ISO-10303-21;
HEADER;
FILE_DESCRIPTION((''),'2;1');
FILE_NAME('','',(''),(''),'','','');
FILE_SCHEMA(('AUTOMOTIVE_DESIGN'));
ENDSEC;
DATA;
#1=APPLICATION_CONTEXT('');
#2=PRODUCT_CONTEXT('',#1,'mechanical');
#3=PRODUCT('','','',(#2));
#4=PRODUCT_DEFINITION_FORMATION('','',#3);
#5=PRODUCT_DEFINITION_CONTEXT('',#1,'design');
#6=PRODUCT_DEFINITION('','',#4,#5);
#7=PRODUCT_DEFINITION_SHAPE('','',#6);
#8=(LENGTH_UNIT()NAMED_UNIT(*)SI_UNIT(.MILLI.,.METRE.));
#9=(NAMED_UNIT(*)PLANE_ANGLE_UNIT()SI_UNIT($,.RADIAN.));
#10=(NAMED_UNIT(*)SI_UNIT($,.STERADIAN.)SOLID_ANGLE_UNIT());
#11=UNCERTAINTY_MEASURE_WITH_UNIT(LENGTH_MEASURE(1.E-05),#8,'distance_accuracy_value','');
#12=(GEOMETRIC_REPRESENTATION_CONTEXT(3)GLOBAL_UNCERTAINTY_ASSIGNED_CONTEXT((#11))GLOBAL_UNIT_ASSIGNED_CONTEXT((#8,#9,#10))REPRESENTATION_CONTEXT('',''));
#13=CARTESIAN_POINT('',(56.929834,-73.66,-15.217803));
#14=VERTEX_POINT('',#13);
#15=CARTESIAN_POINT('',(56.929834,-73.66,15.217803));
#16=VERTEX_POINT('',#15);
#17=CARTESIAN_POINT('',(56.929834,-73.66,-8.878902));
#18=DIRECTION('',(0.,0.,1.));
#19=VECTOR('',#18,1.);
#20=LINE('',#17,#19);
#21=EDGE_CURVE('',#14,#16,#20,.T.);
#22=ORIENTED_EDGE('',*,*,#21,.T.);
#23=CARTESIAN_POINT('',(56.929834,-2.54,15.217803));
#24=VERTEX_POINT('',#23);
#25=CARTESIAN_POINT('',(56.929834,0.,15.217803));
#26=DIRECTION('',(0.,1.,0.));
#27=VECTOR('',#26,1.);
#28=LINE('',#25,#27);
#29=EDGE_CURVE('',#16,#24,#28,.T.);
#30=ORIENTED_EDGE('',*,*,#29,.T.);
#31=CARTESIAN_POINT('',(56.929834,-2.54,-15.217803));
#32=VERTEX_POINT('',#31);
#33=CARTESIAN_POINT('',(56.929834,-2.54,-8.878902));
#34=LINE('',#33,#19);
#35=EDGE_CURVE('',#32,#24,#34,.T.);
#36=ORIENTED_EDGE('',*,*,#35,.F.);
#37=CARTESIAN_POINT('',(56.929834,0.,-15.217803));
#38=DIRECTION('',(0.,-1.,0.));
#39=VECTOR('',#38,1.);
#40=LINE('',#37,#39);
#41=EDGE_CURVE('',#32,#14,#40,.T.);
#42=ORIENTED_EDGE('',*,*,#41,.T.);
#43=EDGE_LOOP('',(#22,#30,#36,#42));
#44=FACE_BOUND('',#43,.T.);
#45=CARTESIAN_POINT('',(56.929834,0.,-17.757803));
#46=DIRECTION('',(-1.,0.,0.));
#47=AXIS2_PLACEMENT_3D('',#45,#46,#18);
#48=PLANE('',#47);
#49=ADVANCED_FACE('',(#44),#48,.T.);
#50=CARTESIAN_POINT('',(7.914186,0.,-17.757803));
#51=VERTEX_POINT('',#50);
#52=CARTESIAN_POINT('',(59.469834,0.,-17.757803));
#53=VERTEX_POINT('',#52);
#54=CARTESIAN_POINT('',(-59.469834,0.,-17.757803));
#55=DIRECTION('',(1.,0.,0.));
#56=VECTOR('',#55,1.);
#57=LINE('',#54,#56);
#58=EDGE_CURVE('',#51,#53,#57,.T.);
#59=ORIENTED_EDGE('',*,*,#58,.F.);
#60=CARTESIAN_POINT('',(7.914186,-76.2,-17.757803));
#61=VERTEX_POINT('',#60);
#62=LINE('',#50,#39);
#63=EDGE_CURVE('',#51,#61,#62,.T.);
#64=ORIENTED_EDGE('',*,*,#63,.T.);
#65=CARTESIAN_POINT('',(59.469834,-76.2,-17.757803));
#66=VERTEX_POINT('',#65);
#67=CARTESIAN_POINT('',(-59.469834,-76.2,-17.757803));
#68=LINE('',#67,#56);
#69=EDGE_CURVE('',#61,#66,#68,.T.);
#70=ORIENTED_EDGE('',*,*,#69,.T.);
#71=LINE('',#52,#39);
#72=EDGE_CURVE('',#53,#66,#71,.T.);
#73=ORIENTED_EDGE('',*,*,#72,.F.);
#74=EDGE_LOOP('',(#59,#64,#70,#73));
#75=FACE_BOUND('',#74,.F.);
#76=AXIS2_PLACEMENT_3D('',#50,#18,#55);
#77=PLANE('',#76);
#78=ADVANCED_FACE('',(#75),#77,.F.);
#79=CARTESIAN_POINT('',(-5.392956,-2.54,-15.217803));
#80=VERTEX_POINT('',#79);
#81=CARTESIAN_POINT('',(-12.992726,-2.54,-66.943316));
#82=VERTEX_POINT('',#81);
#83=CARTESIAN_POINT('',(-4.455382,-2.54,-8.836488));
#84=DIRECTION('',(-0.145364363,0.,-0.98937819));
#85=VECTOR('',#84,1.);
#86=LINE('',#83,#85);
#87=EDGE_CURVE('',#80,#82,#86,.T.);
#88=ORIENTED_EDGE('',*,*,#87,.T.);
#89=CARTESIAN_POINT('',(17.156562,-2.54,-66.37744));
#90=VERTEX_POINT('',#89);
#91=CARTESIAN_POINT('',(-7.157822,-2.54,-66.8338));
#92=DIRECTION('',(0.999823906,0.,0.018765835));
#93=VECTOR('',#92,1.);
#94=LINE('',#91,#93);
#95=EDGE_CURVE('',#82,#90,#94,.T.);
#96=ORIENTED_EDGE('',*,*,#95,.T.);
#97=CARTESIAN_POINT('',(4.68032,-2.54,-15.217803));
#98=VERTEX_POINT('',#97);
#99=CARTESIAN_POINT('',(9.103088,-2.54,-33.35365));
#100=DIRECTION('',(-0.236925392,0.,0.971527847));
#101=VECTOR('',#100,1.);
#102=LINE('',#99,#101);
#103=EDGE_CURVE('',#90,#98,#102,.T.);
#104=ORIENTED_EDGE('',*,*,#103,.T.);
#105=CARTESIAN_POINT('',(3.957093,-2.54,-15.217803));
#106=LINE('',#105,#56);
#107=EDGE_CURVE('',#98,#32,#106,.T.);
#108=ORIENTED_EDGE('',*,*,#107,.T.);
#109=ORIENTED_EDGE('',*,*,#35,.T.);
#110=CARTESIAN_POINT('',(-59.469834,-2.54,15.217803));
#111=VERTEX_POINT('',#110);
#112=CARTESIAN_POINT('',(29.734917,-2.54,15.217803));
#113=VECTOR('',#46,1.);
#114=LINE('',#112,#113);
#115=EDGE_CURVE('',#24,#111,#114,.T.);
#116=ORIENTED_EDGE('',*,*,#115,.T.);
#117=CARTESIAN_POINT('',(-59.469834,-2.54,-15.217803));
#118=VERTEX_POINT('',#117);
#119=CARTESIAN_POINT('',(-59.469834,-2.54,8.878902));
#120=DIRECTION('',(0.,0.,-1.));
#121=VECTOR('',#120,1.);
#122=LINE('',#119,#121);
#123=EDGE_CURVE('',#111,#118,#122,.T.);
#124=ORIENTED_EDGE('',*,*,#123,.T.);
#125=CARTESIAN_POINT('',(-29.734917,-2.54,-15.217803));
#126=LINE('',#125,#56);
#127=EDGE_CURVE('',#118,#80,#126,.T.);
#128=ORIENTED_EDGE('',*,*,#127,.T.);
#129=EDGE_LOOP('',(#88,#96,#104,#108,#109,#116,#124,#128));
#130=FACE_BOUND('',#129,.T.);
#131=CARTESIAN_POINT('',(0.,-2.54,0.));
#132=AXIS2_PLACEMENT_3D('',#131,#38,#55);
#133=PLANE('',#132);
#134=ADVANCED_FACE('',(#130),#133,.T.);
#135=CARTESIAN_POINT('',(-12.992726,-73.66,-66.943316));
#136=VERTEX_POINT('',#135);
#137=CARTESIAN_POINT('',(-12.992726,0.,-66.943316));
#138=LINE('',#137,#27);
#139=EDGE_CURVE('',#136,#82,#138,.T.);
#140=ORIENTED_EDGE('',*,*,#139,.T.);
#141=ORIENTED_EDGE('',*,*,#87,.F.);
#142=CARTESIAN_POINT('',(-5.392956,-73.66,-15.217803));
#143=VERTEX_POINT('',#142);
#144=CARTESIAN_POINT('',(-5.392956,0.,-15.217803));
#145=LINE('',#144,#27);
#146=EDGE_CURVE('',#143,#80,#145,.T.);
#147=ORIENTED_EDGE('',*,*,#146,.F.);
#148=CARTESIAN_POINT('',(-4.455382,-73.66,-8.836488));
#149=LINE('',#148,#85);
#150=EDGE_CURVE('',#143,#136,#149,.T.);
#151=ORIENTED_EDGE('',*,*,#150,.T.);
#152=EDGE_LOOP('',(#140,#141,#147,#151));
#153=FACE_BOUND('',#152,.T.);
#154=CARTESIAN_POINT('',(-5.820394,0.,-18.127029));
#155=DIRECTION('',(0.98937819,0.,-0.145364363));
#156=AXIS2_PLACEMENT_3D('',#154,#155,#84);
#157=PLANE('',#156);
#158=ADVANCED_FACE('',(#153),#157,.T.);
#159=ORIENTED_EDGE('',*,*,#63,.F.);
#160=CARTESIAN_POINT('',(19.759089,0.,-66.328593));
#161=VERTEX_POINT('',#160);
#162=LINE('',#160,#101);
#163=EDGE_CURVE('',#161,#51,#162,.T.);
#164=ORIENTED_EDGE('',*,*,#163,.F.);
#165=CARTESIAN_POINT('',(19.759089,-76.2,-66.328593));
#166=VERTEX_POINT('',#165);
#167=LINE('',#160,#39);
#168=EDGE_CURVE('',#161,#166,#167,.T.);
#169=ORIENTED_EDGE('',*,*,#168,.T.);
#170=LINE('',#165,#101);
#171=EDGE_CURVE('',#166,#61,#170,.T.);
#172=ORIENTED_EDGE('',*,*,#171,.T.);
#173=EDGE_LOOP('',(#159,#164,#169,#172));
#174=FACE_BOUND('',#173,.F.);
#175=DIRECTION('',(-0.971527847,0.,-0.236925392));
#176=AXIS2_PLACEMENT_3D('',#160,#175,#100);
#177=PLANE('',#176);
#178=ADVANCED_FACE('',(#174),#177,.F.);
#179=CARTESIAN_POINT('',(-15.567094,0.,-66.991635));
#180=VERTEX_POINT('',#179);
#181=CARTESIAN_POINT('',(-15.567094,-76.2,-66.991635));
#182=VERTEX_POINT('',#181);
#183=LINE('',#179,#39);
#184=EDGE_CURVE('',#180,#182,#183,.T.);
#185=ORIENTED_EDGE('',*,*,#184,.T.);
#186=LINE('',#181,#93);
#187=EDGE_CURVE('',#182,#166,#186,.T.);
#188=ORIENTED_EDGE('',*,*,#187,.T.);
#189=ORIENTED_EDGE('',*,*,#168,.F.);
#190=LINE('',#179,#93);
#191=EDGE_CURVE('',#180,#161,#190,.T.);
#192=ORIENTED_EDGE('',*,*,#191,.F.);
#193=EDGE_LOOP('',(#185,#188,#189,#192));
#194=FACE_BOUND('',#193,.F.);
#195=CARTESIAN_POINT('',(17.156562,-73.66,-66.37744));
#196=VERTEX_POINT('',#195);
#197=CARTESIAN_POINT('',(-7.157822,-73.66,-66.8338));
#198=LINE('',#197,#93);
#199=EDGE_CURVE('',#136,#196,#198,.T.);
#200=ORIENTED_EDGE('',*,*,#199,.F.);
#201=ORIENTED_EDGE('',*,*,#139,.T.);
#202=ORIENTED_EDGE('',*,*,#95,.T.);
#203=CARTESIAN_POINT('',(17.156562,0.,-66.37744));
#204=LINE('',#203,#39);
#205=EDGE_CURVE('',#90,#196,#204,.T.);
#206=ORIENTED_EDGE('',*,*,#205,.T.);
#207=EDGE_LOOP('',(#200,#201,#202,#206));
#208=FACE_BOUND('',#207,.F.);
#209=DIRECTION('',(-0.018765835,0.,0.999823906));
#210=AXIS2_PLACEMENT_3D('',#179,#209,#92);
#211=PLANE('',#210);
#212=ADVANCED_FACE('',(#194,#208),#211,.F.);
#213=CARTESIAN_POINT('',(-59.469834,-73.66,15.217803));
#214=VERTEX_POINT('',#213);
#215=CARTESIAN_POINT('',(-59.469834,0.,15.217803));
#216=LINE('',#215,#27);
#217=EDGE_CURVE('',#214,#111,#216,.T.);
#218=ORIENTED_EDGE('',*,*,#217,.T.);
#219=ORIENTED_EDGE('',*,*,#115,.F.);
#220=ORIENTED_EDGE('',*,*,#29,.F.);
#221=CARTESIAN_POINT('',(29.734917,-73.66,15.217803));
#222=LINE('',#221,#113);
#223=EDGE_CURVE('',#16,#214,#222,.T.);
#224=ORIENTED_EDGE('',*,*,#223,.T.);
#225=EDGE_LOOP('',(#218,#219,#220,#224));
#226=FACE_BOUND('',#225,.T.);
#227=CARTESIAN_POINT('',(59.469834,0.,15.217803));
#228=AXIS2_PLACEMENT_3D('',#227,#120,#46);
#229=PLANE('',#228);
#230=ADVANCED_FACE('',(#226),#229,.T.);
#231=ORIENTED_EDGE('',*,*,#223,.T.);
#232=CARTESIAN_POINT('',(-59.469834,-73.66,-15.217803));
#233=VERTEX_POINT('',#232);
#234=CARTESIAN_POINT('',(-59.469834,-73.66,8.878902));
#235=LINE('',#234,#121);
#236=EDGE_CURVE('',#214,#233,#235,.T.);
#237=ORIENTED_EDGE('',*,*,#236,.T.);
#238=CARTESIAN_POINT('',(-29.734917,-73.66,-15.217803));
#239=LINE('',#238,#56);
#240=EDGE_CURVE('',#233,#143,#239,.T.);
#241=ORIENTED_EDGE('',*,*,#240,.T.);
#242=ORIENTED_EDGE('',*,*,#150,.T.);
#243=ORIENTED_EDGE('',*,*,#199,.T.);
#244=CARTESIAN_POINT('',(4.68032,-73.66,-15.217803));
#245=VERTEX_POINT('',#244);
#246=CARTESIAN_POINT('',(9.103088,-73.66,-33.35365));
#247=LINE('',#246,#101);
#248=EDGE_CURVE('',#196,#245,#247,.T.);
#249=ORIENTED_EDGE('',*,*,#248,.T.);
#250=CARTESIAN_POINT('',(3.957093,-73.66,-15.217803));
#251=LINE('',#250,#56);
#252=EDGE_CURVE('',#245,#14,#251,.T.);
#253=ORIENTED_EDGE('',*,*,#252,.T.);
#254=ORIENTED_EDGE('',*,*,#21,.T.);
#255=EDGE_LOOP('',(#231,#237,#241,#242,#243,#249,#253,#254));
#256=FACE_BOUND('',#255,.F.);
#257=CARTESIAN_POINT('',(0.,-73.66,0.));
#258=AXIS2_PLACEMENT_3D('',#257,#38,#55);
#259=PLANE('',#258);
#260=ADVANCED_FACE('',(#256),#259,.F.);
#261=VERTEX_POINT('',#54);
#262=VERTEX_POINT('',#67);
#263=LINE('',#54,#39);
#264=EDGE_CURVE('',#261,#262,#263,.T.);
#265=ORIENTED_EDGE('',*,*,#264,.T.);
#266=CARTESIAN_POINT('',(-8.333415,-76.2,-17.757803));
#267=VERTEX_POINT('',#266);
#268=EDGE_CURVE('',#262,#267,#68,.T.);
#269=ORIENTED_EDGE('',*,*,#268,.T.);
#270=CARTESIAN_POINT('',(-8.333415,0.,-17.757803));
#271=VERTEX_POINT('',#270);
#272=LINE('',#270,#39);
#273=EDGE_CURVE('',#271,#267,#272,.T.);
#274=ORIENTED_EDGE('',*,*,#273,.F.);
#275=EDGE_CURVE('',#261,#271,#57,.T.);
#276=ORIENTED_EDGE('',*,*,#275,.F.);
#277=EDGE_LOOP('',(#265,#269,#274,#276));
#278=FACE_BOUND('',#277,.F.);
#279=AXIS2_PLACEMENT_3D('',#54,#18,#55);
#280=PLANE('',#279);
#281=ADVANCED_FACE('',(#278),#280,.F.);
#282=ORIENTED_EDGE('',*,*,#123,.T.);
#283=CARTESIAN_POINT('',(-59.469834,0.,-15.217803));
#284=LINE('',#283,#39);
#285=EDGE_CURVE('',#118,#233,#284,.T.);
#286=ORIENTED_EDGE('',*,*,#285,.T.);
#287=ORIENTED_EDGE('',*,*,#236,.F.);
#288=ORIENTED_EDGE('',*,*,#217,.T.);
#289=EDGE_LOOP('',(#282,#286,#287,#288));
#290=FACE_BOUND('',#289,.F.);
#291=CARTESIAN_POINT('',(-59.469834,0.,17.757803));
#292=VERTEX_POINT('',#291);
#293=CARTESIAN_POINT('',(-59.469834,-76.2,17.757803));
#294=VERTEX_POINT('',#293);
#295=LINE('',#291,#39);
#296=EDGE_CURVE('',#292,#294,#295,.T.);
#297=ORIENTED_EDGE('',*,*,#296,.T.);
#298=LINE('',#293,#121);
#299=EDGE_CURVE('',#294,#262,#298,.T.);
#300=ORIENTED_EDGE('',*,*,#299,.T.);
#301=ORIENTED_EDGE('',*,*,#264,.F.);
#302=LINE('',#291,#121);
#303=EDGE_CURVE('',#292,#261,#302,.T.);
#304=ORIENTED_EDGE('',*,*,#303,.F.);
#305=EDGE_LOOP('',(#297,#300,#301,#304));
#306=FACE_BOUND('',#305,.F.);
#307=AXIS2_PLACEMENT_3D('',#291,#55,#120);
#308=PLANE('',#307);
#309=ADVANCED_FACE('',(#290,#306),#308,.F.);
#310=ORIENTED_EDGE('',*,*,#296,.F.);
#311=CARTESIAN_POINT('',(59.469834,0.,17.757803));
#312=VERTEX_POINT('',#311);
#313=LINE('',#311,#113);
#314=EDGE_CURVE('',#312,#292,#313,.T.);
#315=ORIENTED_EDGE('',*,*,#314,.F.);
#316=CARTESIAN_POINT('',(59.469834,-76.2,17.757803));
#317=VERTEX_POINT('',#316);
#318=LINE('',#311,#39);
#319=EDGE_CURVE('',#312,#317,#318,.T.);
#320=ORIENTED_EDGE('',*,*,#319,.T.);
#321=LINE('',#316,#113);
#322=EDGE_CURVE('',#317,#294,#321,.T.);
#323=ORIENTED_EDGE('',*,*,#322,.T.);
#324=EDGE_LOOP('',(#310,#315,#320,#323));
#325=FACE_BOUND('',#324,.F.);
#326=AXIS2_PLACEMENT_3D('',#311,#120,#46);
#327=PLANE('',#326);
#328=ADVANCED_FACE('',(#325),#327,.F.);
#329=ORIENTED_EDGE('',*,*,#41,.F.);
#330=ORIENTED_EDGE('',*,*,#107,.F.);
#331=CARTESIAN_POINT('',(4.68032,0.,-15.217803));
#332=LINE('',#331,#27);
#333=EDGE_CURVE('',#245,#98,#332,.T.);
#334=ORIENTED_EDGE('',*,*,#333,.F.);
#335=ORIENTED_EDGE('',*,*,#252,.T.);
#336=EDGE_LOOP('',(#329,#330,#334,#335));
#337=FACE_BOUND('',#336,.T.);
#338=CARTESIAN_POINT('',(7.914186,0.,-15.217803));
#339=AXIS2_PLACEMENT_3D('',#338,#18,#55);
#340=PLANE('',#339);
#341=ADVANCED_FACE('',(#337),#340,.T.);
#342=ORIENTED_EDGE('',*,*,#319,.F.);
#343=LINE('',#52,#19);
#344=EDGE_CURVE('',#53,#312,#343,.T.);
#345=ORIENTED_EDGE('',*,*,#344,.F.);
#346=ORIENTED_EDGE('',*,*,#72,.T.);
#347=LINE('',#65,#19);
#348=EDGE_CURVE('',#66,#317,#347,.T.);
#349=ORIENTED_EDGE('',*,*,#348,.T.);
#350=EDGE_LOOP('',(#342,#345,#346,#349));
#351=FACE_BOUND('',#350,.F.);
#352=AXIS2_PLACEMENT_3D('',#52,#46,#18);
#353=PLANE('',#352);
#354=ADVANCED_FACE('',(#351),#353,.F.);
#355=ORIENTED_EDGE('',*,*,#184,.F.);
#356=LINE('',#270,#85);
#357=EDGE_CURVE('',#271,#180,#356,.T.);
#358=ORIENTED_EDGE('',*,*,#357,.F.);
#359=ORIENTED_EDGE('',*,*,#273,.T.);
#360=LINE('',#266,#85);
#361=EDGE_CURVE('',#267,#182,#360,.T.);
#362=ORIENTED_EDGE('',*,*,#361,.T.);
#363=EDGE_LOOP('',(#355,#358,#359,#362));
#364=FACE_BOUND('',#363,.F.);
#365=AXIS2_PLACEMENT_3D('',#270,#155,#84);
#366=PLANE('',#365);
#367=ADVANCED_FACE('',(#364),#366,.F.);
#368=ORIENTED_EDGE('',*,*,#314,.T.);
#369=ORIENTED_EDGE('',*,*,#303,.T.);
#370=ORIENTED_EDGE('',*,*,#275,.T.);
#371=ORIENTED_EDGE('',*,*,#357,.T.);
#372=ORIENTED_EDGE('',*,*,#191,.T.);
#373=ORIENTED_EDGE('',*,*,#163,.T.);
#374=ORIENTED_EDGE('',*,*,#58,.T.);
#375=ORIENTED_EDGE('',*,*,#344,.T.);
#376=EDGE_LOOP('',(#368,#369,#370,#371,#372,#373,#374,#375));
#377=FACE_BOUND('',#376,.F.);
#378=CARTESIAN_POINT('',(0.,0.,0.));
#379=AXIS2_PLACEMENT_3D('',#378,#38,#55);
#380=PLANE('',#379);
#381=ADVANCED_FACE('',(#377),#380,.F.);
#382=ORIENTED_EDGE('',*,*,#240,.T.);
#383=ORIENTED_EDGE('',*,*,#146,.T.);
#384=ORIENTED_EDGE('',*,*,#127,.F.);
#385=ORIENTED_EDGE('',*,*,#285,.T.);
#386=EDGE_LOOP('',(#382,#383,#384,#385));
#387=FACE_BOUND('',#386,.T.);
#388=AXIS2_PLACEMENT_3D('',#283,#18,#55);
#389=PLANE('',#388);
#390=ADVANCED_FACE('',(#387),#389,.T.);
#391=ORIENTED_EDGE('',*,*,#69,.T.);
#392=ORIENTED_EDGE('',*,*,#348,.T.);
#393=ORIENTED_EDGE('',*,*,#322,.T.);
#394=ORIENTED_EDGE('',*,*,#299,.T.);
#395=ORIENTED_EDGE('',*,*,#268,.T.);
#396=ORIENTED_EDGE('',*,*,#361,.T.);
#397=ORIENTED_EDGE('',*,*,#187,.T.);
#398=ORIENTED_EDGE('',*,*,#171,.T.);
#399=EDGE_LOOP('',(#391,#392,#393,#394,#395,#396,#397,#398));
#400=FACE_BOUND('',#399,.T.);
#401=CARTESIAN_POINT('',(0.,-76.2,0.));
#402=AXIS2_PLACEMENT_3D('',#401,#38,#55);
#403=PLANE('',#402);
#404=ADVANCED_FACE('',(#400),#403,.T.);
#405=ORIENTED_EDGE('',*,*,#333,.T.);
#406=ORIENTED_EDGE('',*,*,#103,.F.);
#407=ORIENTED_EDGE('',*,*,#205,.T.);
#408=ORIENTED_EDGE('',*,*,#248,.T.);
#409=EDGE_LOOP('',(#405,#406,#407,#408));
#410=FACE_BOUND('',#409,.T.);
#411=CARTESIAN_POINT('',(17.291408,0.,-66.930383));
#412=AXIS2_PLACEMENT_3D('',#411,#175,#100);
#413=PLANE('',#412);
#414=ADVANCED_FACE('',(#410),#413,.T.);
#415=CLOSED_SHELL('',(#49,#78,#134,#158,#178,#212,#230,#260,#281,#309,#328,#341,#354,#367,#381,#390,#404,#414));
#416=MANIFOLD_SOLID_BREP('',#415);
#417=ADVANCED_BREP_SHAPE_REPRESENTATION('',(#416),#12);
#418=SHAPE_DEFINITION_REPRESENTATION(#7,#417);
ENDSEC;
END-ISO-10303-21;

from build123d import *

# Parameters (mm, degrees)
F1_DEPTH = 76.2
F2_T     = -2.54


with BuildPart() as f1:
    # F0 (on Front) → F1 (new body)
    with BuildSketch(Plane.XZ):
        Polygon((-59.4698339701, 17.7578032017), (-59.4698339701, -17.7578032017), (-8.333414793, -17.7578032017), (7.914185524, -17.7578032017), (59.4698339701, -17.7578032017), (59.4698339701, 17.7578032017), align=None)
        Polygon((7.914185524, -17.7578032017), (-8.333414793, -17.7578032017), (-15.5670940876, -66.9916346669), (19.7590887547, -66.3285925984), align=None)
    extrude(amount=F1_DEPTH)

    # F2
    f2_openings = [f1.faces().sort_by_distance(p)[0] for p in [
        (2.095997, -38.1, -66.660114),
        (-59.469834, -38.1, 0),
    ]]
    offset(amount=F2_T, openings=f2_openings, kind=Kind.INTERSECTION)


solid = f1.part
